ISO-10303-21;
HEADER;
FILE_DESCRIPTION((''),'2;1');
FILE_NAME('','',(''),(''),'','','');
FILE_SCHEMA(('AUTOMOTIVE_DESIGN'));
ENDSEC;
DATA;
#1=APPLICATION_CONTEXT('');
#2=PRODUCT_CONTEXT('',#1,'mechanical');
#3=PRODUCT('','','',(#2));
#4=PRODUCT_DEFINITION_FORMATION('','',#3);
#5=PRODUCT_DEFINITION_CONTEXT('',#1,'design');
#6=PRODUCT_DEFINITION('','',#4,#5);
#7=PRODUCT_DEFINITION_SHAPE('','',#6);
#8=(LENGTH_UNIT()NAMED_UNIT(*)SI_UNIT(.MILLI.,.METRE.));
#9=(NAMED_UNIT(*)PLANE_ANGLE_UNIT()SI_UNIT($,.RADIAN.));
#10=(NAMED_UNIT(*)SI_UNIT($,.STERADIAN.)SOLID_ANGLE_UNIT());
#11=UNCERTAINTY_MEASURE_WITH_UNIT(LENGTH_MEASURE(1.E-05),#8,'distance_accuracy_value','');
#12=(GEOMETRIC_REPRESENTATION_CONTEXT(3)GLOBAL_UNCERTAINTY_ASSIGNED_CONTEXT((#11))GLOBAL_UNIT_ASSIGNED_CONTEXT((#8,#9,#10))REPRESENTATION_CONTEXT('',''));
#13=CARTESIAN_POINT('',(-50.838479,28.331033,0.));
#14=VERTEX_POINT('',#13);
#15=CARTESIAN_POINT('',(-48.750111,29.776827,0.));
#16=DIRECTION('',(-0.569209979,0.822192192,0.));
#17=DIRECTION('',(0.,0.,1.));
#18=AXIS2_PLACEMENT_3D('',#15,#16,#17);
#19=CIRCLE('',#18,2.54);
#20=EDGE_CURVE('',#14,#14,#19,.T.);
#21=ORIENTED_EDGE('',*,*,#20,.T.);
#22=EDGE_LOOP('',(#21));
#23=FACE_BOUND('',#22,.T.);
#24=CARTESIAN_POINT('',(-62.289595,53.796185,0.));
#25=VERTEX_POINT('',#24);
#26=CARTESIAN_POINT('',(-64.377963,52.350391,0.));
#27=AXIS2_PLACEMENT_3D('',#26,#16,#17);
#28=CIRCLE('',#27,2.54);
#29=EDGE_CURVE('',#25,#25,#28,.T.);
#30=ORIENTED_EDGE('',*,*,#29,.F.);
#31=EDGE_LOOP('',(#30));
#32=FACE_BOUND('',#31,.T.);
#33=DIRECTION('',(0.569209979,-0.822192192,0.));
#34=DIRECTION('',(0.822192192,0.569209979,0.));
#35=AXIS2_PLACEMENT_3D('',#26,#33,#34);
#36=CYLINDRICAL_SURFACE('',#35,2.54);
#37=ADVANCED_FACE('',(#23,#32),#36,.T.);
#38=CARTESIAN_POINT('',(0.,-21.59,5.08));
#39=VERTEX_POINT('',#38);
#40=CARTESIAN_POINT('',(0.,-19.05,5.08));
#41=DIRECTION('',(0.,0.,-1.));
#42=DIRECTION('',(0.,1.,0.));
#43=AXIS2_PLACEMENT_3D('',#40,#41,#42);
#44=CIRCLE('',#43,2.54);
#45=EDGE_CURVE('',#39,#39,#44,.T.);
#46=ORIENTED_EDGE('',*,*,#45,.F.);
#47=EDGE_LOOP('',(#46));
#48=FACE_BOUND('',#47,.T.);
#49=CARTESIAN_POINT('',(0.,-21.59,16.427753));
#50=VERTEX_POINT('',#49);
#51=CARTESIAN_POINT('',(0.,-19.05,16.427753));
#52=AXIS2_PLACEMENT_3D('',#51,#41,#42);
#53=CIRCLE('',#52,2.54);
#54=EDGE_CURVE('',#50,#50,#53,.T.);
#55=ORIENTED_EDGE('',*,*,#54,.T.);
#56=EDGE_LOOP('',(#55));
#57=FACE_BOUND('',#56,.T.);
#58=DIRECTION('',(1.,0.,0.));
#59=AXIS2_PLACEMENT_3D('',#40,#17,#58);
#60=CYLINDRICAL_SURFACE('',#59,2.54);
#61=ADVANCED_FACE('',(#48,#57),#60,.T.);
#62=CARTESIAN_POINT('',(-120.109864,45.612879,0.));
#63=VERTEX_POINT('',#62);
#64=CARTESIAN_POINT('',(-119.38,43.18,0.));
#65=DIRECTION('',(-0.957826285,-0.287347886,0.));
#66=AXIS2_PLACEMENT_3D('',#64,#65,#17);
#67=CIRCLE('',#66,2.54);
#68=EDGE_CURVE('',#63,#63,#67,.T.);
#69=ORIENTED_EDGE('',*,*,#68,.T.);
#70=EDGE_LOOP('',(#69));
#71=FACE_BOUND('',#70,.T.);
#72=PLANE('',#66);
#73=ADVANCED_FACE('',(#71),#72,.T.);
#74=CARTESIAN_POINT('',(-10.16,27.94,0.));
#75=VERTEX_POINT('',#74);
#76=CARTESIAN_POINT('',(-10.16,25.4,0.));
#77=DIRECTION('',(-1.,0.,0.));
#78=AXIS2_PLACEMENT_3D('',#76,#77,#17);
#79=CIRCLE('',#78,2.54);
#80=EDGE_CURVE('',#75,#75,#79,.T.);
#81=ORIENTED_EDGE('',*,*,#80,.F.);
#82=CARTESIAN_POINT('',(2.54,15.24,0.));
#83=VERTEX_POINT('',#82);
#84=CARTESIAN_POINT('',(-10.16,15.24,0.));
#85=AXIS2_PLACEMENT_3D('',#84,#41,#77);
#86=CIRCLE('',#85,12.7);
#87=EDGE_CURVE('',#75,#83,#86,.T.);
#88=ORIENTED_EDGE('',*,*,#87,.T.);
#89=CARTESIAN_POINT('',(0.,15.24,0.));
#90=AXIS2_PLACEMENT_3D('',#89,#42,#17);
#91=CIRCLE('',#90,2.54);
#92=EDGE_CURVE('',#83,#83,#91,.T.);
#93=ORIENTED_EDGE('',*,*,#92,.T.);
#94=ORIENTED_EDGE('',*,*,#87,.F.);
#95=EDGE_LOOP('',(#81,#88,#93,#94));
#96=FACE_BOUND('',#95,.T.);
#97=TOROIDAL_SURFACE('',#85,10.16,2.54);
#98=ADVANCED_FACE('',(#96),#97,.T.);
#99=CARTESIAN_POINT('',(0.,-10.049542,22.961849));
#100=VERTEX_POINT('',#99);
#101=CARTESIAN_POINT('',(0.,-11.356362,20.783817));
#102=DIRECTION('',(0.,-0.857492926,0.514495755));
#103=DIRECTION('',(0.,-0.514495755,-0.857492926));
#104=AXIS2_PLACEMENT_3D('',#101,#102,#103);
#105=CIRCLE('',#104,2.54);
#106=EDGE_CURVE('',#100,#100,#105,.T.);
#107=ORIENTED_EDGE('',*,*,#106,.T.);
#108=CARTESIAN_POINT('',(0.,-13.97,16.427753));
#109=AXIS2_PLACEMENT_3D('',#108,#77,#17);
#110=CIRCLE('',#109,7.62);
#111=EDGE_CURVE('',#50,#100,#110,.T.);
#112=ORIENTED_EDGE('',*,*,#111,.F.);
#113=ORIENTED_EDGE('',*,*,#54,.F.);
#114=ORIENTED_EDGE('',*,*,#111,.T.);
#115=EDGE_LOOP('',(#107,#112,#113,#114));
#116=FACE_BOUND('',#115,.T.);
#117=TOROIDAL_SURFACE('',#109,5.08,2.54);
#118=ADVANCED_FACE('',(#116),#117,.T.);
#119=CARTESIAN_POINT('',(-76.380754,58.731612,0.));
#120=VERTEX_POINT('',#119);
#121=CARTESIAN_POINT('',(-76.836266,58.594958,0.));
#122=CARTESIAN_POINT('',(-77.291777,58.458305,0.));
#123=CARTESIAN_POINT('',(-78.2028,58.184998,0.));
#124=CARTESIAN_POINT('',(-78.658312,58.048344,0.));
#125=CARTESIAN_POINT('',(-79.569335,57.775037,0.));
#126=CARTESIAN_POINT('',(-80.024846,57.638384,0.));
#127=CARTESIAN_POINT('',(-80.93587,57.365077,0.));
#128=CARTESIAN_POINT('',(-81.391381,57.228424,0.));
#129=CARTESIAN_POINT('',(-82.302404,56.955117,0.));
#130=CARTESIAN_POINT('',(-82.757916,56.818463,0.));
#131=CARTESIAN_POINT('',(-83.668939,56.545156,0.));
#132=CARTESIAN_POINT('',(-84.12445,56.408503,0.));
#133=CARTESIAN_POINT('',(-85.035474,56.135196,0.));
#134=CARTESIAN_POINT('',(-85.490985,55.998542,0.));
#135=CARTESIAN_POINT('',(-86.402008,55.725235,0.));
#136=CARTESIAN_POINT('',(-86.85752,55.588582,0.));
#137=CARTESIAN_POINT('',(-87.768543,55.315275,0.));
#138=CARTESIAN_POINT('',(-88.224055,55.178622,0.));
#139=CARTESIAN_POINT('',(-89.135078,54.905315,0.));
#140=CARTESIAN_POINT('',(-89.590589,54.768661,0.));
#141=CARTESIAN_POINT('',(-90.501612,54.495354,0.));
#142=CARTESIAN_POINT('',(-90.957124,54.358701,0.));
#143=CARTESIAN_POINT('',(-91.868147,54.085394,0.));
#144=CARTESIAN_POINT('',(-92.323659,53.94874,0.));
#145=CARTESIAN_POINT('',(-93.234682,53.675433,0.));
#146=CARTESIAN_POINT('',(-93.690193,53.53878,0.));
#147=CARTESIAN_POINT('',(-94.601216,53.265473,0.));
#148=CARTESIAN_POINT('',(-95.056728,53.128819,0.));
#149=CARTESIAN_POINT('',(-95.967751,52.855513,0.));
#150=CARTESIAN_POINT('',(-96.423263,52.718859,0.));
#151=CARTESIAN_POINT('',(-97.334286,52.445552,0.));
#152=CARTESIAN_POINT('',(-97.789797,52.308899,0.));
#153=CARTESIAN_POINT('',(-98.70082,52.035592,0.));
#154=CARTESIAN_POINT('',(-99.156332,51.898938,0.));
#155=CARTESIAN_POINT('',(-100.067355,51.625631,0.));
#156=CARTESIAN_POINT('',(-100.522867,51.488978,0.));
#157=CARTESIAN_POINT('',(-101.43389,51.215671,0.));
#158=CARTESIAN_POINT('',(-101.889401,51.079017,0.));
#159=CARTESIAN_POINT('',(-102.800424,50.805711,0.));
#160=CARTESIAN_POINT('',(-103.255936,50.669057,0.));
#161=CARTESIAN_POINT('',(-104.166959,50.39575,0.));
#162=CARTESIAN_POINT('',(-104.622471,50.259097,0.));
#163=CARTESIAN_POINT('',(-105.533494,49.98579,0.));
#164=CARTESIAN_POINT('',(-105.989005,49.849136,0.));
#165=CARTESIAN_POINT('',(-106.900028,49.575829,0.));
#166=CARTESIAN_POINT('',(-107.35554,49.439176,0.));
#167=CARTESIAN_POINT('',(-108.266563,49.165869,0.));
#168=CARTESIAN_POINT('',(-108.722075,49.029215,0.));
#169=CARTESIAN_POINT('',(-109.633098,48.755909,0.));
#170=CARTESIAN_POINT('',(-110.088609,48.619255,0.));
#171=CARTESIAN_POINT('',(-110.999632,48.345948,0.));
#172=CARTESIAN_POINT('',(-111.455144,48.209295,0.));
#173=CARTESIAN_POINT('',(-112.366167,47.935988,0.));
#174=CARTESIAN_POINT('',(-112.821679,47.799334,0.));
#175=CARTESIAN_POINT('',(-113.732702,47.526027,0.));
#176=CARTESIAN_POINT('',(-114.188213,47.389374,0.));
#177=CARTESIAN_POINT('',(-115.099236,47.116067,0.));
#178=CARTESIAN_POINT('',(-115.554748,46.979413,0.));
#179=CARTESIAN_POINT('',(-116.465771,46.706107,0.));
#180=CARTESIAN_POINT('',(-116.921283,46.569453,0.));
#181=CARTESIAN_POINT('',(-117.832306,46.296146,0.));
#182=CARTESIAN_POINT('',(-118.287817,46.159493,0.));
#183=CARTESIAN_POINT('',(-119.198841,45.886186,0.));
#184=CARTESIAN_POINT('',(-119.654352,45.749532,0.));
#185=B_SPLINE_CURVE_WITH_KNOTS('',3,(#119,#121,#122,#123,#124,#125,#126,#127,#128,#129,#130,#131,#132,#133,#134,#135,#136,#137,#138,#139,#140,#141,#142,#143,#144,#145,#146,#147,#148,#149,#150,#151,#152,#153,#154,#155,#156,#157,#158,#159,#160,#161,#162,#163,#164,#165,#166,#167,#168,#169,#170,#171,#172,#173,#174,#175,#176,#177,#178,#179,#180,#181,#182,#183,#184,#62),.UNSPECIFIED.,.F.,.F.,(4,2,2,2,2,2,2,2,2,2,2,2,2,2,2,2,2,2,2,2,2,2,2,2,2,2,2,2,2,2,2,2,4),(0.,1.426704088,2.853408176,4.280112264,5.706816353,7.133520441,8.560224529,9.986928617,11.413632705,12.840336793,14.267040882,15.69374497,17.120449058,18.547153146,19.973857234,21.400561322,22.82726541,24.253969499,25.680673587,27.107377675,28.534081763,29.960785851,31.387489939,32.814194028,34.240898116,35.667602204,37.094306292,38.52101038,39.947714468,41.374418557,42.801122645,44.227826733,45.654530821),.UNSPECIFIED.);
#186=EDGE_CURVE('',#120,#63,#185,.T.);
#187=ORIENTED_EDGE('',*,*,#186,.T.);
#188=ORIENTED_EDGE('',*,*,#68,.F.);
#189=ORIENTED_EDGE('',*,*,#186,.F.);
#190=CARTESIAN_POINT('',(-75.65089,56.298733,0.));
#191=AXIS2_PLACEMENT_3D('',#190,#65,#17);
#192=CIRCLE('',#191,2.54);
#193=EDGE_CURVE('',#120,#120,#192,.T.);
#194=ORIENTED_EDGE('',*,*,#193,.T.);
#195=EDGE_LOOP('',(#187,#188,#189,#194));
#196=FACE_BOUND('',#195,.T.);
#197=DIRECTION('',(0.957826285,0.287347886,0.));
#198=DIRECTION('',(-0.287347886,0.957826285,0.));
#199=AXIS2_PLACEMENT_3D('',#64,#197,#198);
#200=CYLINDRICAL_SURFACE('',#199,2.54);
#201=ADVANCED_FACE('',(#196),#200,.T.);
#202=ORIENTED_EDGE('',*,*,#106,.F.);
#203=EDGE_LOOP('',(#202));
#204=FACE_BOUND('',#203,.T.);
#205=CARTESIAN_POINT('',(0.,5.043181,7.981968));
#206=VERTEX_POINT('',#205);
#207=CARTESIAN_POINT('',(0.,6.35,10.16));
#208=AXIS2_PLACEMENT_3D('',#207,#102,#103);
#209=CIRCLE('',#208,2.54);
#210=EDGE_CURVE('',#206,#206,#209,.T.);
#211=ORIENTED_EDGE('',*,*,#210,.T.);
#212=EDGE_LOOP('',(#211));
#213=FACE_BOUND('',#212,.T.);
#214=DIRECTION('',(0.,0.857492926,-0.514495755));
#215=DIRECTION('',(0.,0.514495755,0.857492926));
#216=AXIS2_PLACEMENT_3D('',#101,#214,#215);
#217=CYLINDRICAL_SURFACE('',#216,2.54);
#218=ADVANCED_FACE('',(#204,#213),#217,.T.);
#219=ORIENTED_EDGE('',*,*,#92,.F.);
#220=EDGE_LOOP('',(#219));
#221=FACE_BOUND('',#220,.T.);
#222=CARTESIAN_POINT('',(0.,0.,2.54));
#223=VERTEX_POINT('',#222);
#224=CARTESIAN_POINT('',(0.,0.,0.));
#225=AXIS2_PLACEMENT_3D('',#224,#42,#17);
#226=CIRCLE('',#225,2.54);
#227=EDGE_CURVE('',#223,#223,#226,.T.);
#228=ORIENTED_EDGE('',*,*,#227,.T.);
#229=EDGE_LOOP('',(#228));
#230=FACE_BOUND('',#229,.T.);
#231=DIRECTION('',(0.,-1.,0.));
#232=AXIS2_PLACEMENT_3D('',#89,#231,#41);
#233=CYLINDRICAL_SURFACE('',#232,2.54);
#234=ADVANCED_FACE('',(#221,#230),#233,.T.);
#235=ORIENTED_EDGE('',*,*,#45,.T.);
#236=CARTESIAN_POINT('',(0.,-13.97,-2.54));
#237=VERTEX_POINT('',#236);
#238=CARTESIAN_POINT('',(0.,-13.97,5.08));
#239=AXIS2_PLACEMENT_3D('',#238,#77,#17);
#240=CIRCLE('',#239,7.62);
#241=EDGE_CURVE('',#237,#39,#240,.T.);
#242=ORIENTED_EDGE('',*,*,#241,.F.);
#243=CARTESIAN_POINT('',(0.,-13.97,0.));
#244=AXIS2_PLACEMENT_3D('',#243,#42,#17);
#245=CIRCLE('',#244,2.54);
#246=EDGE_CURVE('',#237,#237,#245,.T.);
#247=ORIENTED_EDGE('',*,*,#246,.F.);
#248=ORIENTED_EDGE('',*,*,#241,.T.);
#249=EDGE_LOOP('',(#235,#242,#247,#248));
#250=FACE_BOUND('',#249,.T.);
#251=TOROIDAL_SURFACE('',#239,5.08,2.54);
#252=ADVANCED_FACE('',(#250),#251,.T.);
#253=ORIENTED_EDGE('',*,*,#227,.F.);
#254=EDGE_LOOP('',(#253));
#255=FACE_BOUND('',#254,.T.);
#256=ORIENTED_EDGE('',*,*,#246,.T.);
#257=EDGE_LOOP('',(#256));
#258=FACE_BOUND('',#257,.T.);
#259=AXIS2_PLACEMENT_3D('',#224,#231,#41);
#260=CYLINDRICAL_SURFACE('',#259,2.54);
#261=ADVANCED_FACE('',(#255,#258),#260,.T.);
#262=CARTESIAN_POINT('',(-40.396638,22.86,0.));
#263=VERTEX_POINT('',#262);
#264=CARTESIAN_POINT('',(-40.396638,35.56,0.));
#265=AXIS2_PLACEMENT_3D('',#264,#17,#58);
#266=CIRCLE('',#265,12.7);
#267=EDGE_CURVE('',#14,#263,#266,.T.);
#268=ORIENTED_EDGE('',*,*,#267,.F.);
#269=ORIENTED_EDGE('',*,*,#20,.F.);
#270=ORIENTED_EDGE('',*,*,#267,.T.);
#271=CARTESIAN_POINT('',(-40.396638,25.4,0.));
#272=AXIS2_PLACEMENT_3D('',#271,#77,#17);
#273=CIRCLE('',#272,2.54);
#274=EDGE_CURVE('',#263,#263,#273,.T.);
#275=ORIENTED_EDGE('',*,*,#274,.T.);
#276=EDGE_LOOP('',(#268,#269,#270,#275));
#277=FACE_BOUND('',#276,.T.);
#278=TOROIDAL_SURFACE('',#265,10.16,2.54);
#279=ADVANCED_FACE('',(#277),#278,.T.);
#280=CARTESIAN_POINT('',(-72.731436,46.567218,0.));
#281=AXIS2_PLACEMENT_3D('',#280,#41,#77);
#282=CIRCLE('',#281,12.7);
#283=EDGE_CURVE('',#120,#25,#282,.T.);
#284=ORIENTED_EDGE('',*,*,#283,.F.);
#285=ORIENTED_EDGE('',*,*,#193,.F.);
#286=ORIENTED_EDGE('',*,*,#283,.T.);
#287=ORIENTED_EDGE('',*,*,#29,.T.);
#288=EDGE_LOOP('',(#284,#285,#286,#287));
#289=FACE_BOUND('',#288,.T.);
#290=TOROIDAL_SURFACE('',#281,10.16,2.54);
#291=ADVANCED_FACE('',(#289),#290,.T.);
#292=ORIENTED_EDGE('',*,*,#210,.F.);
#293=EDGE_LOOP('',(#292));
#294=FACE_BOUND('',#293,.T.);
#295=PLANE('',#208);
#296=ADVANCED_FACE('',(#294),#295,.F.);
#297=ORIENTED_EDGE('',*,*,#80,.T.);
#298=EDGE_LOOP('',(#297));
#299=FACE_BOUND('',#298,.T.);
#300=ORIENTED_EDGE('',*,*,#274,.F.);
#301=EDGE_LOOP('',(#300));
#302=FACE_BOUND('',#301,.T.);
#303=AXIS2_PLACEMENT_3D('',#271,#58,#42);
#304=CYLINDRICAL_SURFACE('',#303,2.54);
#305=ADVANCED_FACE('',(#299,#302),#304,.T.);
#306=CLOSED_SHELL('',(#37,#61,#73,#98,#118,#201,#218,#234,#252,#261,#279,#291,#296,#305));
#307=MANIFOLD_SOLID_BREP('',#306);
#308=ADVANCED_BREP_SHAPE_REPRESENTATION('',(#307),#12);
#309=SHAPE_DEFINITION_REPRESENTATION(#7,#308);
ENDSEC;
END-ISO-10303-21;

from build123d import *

# Parameters (mm, degrees)
SWEEP1_PROFILE_R = 2.54


with BuildPart() as part:
    # Sweep1: sweep along a curve in space
    with BuildLine() as sweep1_path:
        Line((-119.38, 43.18, 0), (-75.65089034, 56.298732898, 0))
        ThreePointArc((-75.65089034, 56.298732898, 0), (-69.372940802, 56.156071327, 0), (-64.377963156, 52.350391225, 0))
        Line((-64.377963156, 52.350391225, 0), (-48.750110734, 29.776826615, 0))
        ThreePointArc((-48.750110734, 29.776826615, 0), (-45.111961937, 26.560482191, 0), (-40.396638066, 25.4, 0))
        Line((-40.396638066, 25.4, 0), (-10.16, 25.4, 0))
        ThreePointArc((-10.16, 25.4, 0), (-2.975795103, 22.424204897, 0), (0, 15.24, 0))
        Line((0, 15.24, 0), (0, 0, 0))
        Line((0, 0, 0), (0, -13.97, 0))
        ThreePointArc((0, -13.97, 0), (0, -17.562102448, 1.487897552), (0, -19.05, 5.08))
        Line((0, -19.05, 5.08), (0, -19.05, 16.427752875))
        ThreePointArc((0, -19.05, 16.427752875), (0, -16.47290998, 20.848368401), (0, -11.356361562, 20.783816937))
        Line((0, -11.356361562, 20.783816937), (0, 6.35, 10.16))
    # Sweep1 profile (on start of the path) → Sweep1 (sweep)
    with BuildSketch(Plane(origin=(-119.38, 43.18, 0), x_dir=(-0.2873478855663455, 0.9578262852211514, 0), z_dir=(0.9578262852211514, 0.2873478855663455, 0))):
        Circle(SWEEP1_PROFILE_R)
    sweep(path=sweep1_path.line)


solid = part.part
